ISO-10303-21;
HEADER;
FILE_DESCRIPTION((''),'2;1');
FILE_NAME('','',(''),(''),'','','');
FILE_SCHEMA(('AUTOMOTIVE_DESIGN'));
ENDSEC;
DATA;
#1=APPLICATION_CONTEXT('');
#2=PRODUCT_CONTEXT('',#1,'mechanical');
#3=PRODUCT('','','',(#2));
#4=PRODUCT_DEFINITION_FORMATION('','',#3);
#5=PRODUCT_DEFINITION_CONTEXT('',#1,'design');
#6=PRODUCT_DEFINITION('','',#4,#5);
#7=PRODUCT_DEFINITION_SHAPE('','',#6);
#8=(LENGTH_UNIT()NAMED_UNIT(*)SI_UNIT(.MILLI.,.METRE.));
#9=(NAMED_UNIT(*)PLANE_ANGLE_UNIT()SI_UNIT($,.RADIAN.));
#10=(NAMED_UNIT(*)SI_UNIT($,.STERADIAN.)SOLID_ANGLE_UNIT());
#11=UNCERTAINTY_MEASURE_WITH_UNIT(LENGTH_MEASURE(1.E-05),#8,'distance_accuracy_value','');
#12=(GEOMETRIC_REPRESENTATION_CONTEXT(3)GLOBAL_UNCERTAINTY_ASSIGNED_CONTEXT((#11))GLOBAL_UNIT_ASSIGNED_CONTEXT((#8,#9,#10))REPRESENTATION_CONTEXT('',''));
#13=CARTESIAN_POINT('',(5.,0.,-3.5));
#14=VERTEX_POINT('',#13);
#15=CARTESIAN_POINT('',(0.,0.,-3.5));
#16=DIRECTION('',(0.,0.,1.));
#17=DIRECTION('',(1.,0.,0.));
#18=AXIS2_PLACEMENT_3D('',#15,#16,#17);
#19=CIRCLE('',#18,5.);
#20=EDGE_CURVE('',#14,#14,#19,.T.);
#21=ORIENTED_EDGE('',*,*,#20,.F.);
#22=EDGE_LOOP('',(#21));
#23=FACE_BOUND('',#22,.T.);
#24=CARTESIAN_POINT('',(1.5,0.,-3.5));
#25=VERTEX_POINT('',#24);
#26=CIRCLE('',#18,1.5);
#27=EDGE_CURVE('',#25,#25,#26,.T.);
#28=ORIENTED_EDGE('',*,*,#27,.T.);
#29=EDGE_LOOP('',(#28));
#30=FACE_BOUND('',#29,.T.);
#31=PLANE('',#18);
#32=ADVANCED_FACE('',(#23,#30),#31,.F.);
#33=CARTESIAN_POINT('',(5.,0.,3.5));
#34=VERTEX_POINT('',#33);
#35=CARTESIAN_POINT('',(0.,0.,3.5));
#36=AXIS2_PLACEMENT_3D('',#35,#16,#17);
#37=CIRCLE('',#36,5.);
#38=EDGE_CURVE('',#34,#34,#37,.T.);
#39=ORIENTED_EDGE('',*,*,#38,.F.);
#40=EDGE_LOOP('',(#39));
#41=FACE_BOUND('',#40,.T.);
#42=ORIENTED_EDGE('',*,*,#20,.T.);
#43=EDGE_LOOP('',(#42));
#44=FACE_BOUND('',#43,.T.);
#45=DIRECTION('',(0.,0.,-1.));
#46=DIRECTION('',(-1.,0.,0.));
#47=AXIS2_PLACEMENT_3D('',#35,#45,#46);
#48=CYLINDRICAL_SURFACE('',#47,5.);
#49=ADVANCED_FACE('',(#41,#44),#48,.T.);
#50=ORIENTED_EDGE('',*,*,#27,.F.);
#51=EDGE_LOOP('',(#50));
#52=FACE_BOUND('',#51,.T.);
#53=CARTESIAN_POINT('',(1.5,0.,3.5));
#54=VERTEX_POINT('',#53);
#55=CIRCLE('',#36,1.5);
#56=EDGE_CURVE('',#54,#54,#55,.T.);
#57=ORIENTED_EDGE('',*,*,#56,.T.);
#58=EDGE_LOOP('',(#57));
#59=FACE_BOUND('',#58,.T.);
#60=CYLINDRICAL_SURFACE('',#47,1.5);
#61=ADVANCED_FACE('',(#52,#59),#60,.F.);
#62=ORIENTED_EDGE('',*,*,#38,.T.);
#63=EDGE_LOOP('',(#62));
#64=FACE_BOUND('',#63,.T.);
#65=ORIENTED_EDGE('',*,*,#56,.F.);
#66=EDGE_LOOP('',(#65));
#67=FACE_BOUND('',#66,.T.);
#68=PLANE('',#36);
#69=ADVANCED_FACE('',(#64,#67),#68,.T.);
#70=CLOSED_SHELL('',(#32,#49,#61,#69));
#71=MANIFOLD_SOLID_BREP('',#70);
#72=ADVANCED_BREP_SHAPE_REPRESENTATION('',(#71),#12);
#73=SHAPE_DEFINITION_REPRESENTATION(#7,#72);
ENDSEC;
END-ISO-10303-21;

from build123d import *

# Parameters (mm, degrees)
SKETCH_1_R        = 5
SKETCH_1_R_2      = 1.5
EXTRUDE_240_DEPTH = 3.5


with BuildPart() as part:
    # Эскиз1 → Extrude 240 (new, symmetric)
    with BuildSketch(Plane.XY):
        Circle(SKETCH_1_R)
        Circle(SKETCH_1_R_2, mode=Mode.SUBTRACT)
    extrude(amount=EXTRUDE_240_DEPTH, both=True)


solid = part.part
